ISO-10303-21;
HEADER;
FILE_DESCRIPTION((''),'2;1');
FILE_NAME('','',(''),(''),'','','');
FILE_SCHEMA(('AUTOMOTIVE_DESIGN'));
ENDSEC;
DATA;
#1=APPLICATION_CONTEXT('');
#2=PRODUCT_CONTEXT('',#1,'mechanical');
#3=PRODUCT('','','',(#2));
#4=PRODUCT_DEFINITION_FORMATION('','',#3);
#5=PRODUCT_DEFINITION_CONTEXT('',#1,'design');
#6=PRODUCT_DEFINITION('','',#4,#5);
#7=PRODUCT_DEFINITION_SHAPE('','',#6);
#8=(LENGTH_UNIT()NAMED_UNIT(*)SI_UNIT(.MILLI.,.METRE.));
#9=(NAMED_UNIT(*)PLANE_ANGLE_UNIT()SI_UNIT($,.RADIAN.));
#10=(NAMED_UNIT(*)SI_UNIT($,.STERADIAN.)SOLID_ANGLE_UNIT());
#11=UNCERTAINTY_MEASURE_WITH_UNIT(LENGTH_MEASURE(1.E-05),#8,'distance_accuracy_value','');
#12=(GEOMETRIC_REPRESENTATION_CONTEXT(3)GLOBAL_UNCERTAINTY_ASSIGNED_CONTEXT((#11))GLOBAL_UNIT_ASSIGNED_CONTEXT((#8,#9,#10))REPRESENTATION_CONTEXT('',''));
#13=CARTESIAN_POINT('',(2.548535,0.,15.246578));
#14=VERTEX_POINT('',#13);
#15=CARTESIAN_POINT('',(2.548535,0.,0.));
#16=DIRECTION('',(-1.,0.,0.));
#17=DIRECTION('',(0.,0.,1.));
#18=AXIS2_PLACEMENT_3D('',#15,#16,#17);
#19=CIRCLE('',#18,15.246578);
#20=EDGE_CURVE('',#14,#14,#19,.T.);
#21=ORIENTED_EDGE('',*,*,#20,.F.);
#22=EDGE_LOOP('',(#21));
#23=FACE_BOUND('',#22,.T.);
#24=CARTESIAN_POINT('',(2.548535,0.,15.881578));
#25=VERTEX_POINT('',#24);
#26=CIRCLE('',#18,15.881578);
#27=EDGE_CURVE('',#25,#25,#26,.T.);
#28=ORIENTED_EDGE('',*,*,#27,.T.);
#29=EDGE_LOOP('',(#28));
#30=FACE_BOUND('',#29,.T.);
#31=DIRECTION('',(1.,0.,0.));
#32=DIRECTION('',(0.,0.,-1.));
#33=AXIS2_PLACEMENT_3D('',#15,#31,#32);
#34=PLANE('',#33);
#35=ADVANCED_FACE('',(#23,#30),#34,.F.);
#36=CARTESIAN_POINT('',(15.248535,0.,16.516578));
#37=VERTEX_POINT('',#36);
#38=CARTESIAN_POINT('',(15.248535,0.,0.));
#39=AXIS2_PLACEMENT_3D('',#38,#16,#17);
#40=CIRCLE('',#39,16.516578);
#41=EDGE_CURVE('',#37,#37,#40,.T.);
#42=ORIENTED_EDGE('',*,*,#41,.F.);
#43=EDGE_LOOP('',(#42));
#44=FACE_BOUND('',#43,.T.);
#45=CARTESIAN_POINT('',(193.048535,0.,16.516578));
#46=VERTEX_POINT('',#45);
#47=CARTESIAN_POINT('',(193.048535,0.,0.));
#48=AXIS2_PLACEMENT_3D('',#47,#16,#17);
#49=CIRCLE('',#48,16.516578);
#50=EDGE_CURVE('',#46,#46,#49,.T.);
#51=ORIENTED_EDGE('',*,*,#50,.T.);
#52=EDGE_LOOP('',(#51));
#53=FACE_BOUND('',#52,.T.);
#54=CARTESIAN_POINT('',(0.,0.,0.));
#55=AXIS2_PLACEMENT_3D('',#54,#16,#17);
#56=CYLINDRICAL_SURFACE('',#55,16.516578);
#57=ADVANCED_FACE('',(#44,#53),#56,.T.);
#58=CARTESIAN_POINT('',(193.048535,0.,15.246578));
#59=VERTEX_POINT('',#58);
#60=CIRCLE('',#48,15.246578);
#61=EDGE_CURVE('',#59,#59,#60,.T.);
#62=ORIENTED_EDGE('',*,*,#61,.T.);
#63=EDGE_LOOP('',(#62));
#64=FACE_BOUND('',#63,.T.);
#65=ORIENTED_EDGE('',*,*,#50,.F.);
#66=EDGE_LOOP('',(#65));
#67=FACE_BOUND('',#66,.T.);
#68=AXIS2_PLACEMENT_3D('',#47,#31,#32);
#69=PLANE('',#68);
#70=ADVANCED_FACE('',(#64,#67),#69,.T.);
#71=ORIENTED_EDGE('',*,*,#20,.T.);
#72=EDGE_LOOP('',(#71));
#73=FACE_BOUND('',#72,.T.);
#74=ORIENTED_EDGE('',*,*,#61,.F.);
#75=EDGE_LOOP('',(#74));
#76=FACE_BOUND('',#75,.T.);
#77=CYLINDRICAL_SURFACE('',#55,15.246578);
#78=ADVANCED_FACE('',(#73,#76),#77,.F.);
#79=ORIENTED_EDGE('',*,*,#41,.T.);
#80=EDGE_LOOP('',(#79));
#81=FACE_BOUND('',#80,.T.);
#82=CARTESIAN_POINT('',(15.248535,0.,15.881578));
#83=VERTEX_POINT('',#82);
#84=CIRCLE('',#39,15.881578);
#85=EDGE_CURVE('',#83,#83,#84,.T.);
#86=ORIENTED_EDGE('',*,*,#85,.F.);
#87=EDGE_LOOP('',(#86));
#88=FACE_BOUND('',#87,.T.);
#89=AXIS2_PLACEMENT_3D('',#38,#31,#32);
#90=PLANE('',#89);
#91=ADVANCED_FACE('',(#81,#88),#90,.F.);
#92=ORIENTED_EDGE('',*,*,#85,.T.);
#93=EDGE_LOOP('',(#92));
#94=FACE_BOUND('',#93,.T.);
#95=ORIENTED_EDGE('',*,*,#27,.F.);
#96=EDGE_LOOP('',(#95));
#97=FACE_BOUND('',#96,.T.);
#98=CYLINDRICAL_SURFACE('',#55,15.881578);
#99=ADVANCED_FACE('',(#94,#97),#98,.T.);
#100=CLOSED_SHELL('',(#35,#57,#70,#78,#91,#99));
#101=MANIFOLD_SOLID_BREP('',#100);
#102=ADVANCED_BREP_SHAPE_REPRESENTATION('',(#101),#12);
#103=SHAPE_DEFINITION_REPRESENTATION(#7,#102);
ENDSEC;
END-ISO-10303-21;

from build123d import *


with BuildPart() as part:
    # Sketch1 → Revolve1 (revolve)
    with BuildSketch(Plane.XY, mode=Mode.PRIVATE) as revolve1_sk:
        Polygon((15.248535153, 15.881577847), (2.548535153, 15.881577847), (2.548535153, 15.246577847), (193.048535153, 15.246577847), (193.048535153, 16.516577847), (15.248535153, 16.516577847), align=None)
    revolve(revolve1_sk.sketch.rotate(Axis((0, 0, 0), (1, 0, 0)), 90), axis=Axis((0, 0, 0), (1, 0, 0)))


solid = part.part
